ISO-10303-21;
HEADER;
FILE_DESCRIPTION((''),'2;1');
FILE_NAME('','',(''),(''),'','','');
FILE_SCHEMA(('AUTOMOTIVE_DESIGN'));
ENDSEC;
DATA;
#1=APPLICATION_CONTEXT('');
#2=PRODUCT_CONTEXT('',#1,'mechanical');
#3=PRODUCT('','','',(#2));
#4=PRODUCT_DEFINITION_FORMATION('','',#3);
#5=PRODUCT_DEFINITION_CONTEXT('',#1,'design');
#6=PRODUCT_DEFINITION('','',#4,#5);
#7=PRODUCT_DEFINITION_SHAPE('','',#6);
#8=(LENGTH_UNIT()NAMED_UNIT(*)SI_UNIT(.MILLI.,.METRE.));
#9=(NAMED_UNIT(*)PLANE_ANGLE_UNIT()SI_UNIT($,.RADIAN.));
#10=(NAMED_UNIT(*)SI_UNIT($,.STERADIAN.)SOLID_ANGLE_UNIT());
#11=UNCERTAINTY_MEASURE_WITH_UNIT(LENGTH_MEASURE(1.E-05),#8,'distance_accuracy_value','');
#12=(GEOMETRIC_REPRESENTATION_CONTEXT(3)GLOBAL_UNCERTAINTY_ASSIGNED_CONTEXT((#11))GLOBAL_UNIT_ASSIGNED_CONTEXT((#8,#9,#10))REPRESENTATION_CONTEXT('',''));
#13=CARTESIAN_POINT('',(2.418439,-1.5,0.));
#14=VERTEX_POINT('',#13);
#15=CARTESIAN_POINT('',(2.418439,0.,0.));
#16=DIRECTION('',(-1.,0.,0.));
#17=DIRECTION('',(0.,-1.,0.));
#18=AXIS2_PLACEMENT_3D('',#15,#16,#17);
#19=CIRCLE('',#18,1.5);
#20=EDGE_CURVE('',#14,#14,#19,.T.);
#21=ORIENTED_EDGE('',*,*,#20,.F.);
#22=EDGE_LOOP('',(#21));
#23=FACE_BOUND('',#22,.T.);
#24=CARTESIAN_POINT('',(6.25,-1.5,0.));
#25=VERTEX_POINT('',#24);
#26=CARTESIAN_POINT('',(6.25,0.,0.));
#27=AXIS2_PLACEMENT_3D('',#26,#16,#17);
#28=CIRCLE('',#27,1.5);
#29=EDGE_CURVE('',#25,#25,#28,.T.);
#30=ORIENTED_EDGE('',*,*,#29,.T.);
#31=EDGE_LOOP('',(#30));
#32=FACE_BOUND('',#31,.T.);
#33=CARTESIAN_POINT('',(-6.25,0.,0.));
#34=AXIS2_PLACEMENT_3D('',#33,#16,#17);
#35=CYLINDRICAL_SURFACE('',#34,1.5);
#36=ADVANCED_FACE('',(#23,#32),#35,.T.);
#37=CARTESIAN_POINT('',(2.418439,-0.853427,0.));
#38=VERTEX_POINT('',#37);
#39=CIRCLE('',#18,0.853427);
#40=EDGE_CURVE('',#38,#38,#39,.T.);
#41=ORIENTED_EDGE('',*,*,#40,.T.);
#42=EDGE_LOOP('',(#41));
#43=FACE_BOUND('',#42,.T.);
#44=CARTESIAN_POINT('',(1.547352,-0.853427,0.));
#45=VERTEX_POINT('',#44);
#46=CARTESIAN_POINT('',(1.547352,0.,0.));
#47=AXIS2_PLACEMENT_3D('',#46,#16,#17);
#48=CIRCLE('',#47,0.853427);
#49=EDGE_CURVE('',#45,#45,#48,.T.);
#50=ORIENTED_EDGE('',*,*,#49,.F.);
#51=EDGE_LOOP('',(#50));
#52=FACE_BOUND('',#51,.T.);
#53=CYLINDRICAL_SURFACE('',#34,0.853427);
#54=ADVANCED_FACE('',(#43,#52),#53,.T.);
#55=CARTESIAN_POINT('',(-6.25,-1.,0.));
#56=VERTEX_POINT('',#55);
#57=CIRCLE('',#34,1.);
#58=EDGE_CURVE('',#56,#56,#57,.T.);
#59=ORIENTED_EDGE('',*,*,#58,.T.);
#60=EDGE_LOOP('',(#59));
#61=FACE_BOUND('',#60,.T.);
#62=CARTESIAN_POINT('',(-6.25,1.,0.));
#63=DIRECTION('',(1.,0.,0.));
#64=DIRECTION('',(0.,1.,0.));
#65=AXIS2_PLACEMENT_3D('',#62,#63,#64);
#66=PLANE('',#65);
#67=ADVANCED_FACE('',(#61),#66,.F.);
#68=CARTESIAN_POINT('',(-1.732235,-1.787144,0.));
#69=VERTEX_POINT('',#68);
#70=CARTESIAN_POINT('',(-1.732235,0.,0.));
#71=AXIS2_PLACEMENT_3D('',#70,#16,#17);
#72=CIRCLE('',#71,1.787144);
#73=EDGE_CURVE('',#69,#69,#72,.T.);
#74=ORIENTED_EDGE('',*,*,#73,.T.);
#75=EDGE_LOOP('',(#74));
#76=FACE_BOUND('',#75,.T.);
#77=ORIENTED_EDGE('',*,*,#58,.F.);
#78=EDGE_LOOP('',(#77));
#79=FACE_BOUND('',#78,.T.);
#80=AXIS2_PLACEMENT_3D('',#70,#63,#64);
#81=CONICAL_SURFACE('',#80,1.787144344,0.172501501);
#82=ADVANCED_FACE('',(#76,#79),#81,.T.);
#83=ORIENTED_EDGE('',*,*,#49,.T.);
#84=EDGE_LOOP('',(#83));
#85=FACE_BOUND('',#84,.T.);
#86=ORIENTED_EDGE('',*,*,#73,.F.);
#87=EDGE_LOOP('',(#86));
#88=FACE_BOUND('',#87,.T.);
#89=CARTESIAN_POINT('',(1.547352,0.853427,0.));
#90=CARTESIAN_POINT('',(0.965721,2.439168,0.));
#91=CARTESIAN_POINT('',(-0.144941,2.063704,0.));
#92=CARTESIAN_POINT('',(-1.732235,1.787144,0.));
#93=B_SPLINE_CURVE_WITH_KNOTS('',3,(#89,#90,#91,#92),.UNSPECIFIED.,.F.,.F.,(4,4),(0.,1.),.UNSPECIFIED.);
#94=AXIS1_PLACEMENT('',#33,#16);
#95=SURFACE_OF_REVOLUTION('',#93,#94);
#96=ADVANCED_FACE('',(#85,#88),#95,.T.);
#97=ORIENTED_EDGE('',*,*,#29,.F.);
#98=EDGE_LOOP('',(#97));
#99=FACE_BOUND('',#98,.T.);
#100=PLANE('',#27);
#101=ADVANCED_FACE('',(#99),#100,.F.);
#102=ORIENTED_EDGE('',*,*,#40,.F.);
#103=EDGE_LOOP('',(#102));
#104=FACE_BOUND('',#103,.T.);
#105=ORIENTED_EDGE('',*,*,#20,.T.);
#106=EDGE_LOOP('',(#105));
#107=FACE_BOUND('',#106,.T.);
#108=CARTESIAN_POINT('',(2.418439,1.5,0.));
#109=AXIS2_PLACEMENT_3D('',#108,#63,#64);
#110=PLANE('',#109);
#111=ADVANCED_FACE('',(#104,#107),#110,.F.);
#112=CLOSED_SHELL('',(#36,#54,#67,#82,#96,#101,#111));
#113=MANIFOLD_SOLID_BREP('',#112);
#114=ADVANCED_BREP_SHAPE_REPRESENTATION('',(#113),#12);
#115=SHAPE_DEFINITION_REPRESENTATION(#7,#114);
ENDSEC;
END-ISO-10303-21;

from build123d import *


with BuildPart() as part:
    # Sketch1 → Revolve1 (revolve)
    with BuildSketch(Plane.XY, mode=Mode.PRIVATE) as revolve1_sk:
        with BuildLine():
            Line((6.25, 0), (6.25, 1.5))
            Line((6.25, 1.5), (2.418439441, 1.5))
            Line((2.418439441, 1.5), (2.418439441, 0.85342731))
            Line((2.418439441, 0.85342731), (1.547351676, 0.85342731))
            add(Edge.make_bspline(
                [(-1.732235322, 1.787144344), (-0.144941343, 2.063703564), (0.965721254, 2.439168447), (1.547351676, 0.85342731)],
                knots=[0, 0, 0, 0, 1, 1, 1, 1], degree=3))
            Line((-1.732235322, 1.787144344), (-6.25, 1))
            Line((-6.25, 1), (-6.25, 0))
            Line((-6.25, 0), (6.25, 0))
        make_face()
    revolve(revolve1_sk.sketch.rotate(Axis((-6.25, 0, 0), (1, 0, 0)), 180), axis=Axis((-6.25, 0, 0), (1, 0, 0)))


solid = part.part
